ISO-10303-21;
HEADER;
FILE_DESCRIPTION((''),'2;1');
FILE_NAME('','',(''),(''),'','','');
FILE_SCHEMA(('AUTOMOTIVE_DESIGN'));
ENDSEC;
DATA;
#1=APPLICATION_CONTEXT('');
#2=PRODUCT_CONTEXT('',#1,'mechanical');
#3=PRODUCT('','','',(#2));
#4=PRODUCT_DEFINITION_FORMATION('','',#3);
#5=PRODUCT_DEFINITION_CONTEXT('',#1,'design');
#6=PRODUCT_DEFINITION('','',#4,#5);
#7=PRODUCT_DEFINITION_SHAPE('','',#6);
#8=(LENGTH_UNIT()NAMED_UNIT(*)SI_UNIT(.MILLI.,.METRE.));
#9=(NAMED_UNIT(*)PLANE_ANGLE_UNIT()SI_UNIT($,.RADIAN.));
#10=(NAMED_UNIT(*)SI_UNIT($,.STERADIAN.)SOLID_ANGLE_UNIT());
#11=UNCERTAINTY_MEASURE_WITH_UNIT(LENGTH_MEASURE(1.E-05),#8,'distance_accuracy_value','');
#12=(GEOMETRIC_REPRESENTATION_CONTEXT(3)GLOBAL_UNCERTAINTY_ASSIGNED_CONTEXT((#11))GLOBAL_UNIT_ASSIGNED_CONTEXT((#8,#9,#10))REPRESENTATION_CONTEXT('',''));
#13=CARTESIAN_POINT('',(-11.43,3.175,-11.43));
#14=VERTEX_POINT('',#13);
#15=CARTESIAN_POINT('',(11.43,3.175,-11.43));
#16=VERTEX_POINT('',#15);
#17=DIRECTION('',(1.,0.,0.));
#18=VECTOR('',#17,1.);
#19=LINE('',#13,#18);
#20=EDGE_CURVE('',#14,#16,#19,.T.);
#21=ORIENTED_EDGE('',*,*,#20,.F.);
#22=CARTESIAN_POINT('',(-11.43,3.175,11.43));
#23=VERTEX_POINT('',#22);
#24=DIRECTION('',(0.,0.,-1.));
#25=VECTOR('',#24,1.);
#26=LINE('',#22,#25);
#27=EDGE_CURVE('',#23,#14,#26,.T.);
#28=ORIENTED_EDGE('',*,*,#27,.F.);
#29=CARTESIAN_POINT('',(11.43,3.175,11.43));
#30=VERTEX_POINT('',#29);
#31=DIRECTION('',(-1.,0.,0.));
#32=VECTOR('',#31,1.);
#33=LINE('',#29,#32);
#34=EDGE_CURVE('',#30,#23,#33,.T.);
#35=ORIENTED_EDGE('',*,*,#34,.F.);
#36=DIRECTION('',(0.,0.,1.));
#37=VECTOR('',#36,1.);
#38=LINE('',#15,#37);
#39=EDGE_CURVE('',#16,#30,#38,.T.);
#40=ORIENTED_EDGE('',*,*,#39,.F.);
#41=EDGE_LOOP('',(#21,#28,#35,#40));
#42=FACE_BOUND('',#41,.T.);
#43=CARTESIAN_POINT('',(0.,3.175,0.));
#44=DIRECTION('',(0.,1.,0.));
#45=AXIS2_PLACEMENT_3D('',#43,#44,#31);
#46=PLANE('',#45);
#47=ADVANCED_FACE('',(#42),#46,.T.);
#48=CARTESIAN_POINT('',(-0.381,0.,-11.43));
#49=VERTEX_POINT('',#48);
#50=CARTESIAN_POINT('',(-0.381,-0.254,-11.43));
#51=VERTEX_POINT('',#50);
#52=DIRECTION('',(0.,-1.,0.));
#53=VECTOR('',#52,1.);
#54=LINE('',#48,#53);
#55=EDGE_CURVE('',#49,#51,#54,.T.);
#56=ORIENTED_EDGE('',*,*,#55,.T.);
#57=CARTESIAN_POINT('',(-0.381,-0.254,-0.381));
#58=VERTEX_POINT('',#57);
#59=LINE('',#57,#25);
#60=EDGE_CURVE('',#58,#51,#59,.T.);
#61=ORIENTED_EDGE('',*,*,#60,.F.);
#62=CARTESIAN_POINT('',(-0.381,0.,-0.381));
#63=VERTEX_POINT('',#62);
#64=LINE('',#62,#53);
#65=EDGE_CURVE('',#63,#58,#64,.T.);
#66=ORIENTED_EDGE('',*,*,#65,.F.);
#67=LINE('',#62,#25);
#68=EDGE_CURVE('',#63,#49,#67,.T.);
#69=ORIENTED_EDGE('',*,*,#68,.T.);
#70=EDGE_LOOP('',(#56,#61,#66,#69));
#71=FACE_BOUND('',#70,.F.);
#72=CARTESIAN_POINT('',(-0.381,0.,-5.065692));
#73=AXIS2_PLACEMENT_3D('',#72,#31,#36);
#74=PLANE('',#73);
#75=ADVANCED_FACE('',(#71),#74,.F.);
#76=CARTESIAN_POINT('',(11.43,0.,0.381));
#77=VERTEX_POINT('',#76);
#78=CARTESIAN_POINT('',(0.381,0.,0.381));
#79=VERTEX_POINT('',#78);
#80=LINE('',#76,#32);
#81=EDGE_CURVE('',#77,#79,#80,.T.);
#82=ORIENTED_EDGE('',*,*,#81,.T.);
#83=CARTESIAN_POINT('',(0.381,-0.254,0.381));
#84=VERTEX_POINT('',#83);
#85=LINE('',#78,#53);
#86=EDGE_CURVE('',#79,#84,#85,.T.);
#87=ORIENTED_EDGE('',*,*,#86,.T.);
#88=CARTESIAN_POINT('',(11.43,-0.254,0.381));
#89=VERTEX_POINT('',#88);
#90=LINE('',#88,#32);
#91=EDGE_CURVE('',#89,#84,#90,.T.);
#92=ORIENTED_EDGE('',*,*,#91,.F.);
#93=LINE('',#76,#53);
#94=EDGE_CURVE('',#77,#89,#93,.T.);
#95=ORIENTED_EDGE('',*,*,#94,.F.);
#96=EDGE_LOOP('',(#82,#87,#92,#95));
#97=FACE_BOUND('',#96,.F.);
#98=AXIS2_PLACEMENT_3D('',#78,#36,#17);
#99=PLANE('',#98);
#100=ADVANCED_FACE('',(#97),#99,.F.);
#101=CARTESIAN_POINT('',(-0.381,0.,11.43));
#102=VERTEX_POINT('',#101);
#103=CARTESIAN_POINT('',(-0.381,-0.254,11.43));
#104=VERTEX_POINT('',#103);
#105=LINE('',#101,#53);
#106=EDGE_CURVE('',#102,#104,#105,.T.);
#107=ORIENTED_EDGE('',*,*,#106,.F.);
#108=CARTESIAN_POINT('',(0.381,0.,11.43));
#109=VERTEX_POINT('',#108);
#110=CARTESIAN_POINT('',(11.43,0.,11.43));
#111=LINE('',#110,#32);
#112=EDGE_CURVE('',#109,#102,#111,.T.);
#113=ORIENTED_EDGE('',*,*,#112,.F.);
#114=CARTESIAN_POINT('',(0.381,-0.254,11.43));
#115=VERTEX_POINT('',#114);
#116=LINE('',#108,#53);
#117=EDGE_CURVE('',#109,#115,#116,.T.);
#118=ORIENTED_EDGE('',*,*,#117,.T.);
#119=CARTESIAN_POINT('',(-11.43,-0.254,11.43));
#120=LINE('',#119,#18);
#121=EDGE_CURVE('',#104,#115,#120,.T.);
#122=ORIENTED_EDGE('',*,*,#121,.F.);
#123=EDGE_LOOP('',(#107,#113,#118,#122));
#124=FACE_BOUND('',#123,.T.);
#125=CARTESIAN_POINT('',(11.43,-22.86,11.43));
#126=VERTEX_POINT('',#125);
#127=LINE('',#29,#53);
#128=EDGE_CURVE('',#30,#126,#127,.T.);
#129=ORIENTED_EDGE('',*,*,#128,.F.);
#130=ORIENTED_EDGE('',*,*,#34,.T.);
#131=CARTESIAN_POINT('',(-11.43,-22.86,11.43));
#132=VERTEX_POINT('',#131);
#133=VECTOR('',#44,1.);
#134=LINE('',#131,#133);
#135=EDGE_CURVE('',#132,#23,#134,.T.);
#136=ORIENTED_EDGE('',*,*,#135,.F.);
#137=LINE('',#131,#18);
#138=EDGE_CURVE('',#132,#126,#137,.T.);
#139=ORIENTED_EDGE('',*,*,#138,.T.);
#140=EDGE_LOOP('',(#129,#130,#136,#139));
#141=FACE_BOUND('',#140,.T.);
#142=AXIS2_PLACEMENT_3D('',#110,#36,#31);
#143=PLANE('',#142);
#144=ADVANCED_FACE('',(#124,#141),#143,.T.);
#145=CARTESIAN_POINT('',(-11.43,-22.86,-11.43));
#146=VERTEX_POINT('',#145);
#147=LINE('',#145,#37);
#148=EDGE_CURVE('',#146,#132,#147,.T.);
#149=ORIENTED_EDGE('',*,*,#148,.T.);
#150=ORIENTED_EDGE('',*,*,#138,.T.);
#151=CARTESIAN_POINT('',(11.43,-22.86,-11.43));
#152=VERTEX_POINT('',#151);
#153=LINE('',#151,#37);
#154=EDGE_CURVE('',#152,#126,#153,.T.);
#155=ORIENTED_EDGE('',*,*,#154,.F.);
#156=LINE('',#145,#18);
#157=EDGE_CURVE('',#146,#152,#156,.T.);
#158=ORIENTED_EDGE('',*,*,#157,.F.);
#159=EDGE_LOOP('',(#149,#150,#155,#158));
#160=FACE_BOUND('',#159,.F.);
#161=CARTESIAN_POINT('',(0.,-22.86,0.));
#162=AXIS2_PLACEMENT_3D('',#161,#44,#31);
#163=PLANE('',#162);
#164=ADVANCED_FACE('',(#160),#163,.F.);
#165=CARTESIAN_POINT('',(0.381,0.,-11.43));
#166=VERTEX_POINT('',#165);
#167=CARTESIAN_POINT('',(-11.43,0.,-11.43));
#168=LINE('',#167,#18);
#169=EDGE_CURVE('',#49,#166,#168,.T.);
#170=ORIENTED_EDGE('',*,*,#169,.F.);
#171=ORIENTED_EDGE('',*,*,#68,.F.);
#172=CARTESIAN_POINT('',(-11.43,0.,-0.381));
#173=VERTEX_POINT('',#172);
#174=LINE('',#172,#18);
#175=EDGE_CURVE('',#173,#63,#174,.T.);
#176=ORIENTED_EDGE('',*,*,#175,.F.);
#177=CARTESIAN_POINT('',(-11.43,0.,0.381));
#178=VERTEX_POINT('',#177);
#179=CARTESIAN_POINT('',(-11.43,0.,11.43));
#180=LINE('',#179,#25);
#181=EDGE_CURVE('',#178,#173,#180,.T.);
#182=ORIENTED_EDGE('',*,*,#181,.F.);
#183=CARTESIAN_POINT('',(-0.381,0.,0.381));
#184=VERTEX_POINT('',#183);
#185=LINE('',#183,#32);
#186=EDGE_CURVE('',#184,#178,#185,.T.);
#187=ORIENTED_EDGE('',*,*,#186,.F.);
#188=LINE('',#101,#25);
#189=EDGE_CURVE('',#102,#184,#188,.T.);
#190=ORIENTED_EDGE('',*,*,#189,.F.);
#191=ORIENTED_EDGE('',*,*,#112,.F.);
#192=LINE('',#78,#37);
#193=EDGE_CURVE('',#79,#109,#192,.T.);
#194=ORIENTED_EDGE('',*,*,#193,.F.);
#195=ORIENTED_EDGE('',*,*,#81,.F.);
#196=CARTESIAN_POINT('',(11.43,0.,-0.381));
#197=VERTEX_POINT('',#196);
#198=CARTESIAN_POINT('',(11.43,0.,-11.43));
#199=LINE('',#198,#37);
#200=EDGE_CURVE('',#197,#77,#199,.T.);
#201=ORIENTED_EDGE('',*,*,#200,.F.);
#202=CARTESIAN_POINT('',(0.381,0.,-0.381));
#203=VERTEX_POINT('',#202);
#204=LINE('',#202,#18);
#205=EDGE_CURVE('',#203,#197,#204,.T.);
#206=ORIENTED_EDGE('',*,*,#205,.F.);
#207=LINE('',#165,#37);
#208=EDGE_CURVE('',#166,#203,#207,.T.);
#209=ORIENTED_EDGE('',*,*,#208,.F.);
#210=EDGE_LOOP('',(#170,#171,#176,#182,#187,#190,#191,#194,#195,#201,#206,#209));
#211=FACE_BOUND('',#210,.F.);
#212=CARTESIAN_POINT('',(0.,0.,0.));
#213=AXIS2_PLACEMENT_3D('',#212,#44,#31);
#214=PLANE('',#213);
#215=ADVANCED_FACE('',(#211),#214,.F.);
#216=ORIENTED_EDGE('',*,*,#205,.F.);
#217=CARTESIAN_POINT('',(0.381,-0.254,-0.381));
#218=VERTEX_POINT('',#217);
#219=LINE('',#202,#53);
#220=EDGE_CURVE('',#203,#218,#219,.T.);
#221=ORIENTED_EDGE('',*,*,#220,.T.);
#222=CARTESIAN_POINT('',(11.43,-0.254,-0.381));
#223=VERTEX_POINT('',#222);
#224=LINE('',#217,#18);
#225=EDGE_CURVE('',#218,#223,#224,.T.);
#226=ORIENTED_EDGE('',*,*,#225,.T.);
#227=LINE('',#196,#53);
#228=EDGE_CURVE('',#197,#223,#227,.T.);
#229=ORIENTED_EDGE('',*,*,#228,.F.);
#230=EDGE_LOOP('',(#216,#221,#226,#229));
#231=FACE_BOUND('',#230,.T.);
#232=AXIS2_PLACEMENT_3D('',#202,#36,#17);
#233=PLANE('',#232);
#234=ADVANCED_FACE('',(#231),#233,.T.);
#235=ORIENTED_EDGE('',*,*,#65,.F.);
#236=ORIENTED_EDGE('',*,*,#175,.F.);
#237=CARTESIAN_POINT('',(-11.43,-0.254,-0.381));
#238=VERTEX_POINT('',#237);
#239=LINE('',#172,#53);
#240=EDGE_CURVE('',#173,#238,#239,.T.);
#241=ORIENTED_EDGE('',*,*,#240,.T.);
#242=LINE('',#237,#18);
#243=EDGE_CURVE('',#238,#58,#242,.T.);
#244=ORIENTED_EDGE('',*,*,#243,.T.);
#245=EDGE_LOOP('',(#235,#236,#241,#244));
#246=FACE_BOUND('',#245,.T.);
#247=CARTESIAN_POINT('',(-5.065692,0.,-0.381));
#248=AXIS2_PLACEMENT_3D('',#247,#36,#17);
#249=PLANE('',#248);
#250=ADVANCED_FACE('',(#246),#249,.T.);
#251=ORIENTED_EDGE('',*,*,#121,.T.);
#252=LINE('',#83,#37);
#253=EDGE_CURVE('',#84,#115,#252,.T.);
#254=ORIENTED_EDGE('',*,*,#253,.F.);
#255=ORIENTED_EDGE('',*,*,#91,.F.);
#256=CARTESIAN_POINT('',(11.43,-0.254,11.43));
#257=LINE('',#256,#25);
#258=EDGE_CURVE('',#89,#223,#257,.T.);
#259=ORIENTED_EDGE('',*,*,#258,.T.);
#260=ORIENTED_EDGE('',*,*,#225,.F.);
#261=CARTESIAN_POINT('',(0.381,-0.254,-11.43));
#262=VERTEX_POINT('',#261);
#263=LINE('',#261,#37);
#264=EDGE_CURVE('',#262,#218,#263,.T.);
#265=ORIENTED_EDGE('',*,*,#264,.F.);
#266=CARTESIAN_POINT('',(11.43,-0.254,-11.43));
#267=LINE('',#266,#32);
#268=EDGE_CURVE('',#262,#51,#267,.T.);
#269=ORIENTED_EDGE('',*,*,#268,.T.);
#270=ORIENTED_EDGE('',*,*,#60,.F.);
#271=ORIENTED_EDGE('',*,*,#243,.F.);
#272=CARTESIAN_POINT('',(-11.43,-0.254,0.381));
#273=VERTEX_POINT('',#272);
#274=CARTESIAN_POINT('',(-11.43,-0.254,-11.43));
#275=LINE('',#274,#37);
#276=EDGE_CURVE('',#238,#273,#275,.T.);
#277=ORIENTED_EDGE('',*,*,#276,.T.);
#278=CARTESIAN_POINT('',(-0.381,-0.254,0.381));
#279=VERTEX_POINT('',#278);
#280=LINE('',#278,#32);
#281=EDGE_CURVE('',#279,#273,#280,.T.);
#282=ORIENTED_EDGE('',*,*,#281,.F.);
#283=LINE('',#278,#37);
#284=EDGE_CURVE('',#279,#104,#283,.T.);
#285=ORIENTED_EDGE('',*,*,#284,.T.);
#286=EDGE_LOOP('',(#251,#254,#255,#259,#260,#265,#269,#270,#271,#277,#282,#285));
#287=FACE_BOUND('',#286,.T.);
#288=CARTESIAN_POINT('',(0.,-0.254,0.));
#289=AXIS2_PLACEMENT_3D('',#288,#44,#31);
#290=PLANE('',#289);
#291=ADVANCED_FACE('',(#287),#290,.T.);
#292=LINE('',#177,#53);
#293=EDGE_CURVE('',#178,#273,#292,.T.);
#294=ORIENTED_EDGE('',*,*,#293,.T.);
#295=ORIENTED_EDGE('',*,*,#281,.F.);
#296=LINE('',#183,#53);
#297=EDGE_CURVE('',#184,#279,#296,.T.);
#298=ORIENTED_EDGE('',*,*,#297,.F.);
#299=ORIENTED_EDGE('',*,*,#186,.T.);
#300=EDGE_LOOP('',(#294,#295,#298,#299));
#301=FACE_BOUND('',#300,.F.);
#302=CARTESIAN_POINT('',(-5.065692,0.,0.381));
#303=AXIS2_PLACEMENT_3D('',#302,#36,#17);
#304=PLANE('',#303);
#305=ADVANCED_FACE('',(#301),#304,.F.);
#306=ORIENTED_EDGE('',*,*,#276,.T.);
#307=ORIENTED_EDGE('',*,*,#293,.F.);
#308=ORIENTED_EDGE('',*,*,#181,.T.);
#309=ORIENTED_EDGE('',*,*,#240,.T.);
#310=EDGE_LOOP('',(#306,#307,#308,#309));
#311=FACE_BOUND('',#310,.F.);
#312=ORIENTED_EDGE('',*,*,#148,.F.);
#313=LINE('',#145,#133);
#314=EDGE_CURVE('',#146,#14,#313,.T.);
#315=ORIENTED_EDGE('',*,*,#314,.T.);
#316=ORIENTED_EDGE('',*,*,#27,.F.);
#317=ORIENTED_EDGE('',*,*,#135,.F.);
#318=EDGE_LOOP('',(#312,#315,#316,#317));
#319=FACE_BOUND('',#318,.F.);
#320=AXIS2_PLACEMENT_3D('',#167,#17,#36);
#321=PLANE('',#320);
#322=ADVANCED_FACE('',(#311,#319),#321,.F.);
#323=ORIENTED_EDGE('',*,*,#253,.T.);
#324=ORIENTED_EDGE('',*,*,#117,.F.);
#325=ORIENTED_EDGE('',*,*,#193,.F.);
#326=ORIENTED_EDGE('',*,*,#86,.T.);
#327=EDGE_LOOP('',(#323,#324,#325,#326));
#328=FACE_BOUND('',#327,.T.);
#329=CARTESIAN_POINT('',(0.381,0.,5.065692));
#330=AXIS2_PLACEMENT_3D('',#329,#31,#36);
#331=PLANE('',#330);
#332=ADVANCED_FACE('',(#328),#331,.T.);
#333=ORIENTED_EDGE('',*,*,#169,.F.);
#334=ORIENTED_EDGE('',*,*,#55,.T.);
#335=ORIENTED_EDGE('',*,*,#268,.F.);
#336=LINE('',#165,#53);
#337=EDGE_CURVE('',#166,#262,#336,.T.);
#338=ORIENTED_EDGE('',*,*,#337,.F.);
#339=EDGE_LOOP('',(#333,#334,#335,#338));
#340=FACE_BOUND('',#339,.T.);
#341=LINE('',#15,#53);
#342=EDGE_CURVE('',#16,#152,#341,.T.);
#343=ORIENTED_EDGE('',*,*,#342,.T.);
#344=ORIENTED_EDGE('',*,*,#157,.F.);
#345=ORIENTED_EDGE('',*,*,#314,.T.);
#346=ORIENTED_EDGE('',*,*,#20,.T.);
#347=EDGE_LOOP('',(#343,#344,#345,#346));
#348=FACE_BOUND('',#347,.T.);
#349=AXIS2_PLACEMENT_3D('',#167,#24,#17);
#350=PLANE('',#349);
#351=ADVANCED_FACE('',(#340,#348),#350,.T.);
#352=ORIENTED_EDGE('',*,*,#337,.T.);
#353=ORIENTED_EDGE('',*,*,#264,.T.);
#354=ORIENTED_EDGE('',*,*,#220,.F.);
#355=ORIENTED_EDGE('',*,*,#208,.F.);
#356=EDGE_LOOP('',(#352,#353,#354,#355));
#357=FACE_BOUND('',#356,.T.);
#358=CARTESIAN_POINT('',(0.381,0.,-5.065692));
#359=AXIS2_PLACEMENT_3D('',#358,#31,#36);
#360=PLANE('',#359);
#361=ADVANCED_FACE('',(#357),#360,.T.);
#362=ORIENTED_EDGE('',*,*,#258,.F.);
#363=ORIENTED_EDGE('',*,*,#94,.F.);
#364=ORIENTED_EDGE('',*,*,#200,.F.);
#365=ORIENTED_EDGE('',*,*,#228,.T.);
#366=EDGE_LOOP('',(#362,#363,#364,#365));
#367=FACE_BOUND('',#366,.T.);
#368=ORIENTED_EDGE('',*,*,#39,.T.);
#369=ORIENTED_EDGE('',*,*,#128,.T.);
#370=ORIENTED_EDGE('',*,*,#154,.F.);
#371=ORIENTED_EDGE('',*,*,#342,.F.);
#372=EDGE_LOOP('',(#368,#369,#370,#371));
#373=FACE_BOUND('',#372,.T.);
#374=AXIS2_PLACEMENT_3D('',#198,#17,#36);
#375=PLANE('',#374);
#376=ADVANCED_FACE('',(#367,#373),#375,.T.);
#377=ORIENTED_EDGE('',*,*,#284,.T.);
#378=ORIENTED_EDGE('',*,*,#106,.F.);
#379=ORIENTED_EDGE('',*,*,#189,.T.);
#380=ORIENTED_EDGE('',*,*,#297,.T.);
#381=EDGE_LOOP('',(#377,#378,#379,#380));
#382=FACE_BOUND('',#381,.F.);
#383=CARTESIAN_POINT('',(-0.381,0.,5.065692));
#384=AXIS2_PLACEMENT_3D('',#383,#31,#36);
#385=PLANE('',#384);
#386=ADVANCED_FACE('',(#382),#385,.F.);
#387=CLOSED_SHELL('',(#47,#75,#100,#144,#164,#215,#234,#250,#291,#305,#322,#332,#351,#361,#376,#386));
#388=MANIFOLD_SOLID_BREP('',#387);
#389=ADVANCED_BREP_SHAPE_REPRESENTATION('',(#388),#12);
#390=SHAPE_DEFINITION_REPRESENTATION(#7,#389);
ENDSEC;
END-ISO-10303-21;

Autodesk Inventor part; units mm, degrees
ref_plane "YZ Plane" through (0, 0, 0) normal (1, 0, 0) x (0, 1, 0)
ref_plane "XY Plane" through (0, 0, 0) normal (0, 0, 1) x (1, 0, 0)
sketch "Sketch1" plane through (0, 0, 0) normal (0, 1, 0) x (-1, 0, 0)
  line L0 (11.43, 11.43) -> (-11.43, 11.43)
  line L1 (-11.43, 11.43) -> (-11.43, -11.43)
  line L2 (-11.43, -11.43) -> (11.43, -11.43)
  line L3 (11.43, -11.43) -> (11.43, 11.43)
  line L4 (0.381, -11.43) -> (0.381, 11.43)
  line L5 (-0.381, -11.43) -> (-0.381, 11.43)
  line L6 (11.43, -0.381) -> (-11.43, -0.381)
  line L7 (11.43, 0.381) -> (-11.43, 0.381)
  circle A0 centre (0, 0) radius 5.08
  line L8 (12.446, -12.446) -> (-12.446, -12.446)
  line L9 (-12.446, -12.446) -> (-12.446, 12.446)
  line L10 (-12.446, 12.446) -> (12.446, 12.446)
  line L11 (12.446, 12.446) -> (12.446, -12.446)
  dimension "d0" = 22.86
  dimension "d1" = 22.86
  dimension "d2" = 11.43
  dimension "d3" = 11.43
  dimension "d7" = 0.381
  dimension "d8" = 0.762
  dimension "d12" = 0.381
  dimension "d13" = 0.381
  dimension "d14" = 0.762
  dimension "d21" = 10.16
  dimension "d28" = 1.016
  dimension "d29" = 1.016
  dimension "d30" = 1.016
  dimension "d31" = 1.016
extrude "Extrusion2" add sketch "Sketch1" against normal blind 22.86 contours L3 L7 A0 L4 L0 | L4 A0 L5 L0 | L3 L6 A0 L7 | L5 A0 L7 L1 L0 | A0 L7 L4 | L4 L7 L5 A0 | L3 L2 L4 A0 L6 | A0 L6 L4 L7 | L5 L7 A0 | L4 L6 L5 L7 | A0 L4 L6 | L7 A0 L6 L1 | L5 L6 A0 L7 | L4 A0 L5 L6 | L2 L5 A0 L4 | L6 A0 L5 L2 L1 | L5 A0 L6
extrude "Extrusion3" cut sketch "Sketch1" against normal blind 0.254 contours L4 A0 L5 L0 | L3 L6 A0 L7 | L4 L7 L5 A0 | A0 L6 L4 L7 | L4 L6 L5 L7 | L7 A0 L6 L1 | L5 L6 A0 L7 | L4 A0 L5 L6 | L2 L5 A0 L4
extrude "Extrusion4" add sketch "Sketch1" along normal blind 0.508 contours A0 L7 L4 | L4 L7 L5 A0 | A0 L6 L4 L7 | L5 L7 A0 | L4 L6 L5 L7 | A0 L4 L6 | L5 L6 A0 L7 | L4 A0 L5 L6 | L5 A0 L6
sketch "Sketch3" plane through (0, 0, 0) normal (0, 1, 0) x (-1, 0, 0)
  line L0 (11.43, -11.43) -> (11.43, -0.381) projected
  line L1 (-11.43, 11.43) -> (-11.43, 0.381) projected
  line L2 (11.43, -11.43) -> (-11.43, -11.43)
  line L3 (-11.43, -11.43) -> (-11.43, 11.43)
  line L4 (-11.43, 11.43) -> (11.43, 11.43)
  line L5 (11.43, 11.43) -> (11.43, -11.43)
  point P0 (0, 0)
extrude "Extrusion5" add sketch "Sketch3" along normal blind 3.175
sketch "Sketch4" plane through (0, 0, 0) normal (0, 1, 0) x (-1, 0, 0)
  circle A0 centre (0, -0.381) radius 8.0989
  point P0 (0, 0)
properties part number "companion_cube"
